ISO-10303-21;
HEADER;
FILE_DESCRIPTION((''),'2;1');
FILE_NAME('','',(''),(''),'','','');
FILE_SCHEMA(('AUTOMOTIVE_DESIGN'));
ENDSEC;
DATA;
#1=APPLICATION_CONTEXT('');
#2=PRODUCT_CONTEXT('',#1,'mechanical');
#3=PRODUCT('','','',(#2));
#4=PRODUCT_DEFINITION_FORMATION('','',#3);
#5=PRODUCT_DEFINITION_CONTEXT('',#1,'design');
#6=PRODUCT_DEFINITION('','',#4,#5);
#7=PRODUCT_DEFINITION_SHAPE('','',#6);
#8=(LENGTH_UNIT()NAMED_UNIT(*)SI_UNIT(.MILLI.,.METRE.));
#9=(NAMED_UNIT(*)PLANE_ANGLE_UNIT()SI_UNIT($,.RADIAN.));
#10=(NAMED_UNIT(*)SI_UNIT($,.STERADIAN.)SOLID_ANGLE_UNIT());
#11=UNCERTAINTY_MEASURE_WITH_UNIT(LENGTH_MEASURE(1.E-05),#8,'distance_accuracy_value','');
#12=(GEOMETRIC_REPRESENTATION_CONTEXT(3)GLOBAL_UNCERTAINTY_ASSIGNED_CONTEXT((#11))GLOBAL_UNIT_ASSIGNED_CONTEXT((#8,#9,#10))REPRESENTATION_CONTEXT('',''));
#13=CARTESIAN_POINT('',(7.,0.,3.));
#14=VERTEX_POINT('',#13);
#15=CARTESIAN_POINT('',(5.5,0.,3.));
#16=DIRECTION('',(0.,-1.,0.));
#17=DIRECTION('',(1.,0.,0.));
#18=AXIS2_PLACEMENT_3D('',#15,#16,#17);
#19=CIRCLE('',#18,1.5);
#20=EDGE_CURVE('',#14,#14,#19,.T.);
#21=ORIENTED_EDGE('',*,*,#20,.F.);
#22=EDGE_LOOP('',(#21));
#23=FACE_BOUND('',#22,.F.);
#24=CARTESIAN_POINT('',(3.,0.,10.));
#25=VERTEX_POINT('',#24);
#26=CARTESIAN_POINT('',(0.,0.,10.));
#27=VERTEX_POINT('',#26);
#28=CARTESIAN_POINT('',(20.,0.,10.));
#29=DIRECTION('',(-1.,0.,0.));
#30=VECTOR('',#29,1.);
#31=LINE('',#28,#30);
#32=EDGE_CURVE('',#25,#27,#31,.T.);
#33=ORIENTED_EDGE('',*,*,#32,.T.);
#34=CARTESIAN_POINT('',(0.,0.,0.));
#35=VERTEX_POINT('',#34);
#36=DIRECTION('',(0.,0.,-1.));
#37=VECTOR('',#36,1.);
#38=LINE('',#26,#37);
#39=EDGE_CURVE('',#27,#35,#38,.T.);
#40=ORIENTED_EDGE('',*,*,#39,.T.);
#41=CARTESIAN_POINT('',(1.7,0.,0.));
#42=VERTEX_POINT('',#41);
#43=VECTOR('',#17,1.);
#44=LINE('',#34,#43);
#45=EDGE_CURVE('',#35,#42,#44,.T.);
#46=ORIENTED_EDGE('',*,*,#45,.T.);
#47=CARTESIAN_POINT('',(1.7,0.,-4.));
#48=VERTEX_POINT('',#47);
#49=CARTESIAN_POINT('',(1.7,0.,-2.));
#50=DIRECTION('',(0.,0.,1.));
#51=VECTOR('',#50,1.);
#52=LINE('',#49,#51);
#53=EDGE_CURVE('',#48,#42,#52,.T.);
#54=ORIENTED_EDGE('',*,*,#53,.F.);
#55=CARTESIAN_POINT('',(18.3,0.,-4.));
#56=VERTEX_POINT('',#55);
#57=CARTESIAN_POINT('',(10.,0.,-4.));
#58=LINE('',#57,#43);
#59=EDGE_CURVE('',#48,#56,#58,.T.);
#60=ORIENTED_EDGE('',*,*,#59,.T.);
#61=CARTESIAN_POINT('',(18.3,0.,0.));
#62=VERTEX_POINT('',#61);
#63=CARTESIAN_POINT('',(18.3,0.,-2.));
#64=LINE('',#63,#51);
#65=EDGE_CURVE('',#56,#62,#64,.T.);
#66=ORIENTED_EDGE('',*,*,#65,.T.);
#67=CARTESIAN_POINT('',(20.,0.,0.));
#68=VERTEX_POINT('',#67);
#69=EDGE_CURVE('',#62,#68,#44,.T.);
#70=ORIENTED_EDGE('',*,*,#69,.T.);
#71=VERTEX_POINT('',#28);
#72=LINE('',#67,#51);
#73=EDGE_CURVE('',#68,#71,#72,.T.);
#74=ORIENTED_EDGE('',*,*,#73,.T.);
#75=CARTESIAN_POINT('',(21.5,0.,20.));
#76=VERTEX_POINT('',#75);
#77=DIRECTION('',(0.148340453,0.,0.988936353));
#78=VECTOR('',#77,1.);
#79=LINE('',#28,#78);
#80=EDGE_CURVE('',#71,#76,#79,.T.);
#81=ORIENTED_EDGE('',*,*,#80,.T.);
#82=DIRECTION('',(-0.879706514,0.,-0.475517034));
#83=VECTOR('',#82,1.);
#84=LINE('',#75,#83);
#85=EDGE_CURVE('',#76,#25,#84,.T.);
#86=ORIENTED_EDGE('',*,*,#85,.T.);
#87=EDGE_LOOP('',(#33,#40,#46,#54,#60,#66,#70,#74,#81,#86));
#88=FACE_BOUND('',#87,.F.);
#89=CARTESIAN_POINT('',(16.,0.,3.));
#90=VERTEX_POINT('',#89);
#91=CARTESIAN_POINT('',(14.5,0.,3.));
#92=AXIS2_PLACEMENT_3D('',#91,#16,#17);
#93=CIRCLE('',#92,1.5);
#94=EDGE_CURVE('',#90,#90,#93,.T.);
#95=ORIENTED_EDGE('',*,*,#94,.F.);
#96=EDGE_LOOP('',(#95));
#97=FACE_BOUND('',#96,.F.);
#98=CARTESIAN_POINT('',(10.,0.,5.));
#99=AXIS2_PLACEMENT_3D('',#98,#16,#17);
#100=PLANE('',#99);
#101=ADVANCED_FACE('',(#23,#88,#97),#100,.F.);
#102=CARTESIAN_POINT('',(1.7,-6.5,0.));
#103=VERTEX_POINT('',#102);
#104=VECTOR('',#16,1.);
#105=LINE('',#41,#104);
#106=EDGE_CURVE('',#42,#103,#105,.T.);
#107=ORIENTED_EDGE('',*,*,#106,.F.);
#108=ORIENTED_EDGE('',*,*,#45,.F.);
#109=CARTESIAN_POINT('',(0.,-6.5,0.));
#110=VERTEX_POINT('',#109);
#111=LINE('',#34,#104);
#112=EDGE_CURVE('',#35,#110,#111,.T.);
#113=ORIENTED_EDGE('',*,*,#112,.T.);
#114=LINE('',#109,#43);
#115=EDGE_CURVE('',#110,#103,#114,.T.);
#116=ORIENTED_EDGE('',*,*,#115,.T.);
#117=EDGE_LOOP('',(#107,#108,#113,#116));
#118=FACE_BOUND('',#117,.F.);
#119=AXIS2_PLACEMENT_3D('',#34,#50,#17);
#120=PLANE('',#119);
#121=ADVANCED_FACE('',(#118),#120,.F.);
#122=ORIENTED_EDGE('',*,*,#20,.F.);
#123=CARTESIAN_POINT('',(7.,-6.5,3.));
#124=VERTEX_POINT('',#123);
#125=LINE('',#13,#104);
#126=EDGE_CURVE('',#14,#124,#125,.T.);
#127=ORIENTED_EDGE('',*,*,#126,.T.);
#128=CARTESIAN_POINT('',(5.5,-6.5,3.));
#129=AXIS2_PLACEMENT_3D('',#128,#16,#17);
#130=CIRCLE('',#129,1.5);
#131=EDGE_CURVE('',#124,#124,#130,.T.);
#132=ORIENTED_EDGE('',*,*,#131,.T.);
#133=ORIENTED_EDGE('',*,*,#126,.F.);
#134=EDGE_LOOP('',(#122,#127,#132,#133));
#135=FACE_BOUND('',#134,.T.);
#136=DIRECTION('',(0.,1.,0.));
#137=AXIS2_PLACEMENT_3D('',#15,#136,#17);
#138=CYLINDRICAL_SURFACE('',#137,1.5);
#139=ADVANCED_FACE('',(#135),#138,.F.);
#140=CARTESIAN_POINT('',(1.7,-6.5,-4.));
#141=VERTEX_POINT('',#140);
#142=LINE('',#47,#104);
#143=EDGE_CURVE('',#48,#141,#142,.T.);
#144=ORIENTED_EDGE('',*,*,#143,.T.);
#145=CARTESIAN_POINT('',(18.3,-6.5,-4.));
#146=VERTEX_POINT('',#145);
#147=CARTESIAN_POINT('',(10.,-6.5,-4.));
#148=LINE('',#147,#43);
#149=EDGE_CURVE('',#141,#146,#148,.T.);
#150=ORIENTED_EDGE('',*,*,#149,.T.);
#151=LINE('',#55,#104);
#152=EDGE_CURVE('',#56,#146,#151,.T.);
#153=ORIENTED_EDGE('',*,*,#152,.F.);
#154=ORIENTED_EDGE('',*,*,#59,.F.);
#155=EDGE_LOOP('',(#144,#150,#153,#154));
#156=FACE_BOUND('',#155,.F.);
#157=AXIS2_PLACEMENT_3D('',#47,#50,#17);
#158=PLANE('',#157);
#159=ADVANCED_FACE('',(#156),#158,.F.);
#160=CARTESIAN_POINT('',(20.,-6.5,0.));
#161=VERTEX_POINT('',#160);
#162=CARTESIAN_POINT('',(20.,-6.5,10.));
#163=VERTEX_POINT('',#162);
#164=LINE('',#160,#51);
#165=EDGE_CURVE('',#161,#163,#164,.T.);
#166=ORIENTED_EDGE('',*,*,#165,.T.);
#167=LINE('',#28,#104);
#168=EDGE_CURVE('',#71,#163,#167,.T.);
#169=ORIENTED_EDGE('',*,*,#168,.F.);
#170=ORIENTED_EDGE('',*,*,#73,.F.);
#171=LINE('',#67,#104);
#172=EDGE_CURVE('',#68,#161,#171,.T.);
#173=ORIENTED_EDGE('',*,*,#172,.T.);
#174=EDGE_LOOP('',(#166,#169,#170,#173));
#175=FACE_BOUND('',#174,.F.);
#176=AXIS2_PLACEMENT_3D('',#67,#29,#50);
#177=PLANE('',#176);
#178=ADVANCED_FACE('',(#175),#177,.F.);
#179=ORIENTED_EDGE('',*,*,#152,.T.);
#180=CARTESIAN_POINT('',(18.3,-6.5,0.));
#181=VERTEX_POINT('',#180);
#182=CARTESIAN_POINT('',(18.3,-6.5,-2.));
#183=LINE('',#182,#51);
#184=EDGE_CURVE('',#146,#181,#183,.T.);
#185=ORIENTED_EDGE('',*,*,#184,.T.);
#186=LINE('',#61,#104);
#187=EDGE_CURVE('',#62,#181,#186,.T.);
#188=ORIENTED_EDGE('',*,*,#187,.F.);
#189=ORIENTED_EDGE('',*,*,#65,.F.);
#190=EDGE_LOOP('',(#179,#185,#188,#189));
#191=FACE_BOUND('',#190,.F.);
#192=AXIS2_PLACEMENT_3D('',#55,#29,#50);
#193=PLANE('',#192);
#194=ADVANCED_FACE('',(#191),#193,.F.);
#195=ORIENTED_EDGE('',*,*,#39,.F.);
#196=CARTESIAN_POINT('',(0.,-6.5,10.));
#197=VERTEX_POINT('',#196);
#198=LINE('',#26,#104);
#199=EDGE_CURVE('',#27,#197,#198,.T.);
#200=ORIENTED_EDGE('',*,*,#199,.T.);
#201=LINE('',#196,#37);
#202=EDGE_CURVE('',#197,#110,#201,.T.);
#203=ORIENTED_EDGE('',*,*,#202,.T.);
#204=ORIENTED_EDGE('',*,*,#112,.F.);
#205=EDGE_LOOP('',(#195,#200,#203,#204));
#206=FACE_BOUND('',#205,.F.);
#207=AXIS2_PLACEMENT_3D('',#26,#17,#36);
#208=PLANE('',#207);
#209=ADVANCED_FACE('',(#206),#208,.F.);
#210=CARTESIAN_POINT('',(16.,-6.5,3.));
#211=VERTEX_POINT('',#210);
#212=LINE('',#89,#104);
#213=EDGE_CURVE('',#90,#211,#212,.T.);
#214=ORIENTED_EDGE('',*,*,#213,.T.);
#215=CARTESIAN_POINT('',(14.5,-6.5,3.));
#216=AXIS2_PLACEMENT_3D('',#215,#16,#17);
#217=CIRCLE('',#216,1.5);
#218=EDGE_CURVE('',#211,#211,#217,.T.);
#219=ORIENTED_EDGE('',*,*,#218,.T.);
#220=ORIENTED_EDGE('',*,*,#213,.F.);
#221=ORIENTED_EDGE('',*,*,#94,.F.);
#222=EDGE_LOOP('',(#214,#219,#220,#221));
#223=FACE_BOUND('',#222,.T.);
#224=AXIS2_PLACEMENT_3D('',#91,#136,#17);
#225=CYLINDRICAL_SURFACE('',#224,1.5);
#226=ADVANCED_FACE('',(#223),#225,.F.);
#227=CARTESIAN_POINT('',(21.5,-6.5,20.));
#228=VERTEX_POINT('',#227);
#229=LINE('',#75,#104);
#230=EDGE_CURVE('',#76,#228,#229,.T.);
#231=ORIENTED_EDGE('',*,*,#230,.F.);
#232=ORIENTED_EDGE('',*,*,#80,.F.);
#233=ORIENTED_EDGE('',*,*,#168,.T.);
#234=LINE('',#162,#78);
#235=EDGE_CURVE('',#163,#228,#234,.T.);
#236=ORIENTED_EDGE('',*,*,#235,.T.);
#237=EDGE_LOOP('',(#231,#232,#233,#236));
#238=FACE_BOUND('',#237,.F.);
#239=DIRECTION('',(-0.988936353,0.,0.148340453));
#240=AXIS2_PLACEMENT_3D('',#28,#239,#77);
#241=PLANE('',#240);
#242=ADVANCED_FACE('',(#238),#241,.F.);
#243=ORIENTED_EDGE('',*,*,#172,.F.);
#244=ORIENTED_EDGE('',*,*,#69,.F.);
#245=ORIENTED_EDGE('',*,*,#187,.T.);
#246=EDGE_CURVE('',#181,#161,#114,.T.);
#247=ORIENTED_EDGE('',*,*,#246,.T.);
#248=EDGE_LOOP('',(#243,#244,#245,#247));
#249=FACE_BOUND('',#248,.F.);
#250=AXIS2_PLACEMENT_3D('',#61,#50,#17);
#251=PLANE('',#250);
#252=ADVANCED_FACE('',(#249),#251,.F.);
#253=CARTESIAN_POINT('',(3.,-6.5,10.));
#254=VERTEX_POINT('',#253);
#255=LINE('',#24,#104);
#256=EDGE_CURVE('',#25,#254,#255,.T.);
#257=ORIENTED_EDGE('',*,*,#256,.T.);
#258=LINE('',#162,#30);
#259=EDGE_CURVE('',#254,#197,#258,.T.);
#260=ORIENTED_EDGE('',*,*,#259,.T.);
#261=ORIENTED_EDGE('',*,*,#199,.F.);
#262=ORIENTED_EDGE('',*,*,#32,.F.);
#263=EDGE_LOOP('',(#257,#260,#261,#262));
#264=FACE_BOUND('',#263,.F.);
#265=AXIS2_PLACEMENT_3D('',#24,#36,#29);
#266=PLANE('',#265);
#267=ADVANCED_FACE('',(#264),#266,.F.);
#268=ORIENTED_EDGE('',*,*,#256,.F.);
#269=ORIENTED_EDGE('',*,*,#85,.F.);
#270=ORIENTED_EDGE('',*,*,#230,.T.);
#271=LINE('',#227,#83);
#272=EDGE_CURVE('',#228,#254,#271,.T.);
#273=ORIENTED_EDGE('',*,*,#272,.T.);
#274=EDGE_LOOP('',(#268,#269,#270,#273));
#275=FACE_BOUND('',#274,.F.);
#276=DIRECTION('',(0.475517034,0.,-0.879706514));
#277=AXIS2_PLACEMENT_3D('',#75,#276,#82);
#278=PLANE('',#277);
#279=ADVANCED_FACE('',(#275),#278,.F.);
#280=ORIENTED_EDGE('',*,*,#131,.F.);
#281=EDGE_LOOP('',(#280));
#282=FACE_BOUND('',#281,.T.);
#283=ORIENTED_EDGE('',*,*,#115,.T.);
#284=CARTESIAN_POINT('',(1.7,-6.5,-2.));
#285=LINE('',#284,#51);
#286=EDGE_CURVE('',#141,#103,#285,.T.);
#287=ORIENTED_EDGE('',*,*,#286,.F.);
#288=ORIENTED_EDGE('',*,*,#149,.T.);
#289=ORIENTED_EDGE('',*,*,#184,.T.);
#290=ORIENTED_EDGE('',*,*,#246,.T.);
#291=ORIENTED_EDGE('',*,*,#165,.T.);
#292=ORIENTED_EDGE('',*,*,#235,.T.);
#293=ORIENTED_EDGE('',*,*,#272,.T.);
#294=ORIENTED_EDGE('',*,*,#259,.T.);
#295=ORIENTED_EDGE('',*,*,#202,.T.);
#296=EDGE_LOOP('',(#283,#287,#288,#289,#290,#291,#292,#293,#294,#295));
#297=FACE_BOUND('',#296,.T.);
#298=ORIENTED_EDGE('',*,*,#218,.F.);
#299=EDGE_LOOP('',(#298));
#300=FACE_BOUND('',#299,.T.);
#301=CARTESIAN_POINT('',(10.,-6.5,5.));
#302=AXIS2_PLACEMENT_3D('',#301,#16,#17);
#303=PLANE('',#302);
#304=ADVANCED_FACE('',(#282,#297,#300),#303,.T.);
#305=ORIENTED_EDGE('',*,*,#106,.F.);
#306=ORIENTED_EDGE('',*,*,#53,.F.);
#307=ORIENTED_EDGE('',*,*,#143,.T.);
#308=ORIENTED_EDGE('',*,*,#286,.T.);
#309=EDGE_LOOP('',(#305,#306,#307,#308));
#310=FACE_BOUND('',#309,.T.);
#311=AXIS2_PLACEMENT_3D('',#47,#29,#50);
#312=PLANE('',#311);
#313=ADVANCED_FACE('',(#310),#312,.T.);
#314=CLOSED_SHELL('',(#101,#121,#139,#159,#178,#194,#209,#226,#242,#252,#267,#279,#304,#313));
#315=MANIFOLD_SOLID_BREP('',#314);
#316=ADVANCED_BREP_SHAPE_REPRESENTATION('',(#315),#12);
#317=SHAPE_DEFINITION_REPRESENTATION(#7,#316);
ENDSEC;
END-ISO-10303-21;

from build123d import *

# Parameters (mm, degrees)
F0_R     = 1.5
F0_W     = 16.6
F0_H     = 4
F1_DEPTH = 6.5


with BuildPart() as f1:
    # F0 (on Front) → F1 (new body)
    with BuildSketch(Plane.XZ):
        Polygon((0, 10), (0, 0), (1.7, 0), (18.3, 0), (20, 0), (20, 10), (3, 10), align=None)
        with Locations((5.5, 3)):
            Circle(F0_R, mode=Mode.SUBTRACT)
        with Locations((14.5, 3)):
            Circle(F0_R, mode=Mode.SUBTRACT)
        with Locations((10, -2)):
            Rectangle(F0_W, F0_H)
        Polygon((21.5, 20), (3, 10), (20, 10), align=None)
    extrude(amount=F1_DEPTH)


solid = f1.part
